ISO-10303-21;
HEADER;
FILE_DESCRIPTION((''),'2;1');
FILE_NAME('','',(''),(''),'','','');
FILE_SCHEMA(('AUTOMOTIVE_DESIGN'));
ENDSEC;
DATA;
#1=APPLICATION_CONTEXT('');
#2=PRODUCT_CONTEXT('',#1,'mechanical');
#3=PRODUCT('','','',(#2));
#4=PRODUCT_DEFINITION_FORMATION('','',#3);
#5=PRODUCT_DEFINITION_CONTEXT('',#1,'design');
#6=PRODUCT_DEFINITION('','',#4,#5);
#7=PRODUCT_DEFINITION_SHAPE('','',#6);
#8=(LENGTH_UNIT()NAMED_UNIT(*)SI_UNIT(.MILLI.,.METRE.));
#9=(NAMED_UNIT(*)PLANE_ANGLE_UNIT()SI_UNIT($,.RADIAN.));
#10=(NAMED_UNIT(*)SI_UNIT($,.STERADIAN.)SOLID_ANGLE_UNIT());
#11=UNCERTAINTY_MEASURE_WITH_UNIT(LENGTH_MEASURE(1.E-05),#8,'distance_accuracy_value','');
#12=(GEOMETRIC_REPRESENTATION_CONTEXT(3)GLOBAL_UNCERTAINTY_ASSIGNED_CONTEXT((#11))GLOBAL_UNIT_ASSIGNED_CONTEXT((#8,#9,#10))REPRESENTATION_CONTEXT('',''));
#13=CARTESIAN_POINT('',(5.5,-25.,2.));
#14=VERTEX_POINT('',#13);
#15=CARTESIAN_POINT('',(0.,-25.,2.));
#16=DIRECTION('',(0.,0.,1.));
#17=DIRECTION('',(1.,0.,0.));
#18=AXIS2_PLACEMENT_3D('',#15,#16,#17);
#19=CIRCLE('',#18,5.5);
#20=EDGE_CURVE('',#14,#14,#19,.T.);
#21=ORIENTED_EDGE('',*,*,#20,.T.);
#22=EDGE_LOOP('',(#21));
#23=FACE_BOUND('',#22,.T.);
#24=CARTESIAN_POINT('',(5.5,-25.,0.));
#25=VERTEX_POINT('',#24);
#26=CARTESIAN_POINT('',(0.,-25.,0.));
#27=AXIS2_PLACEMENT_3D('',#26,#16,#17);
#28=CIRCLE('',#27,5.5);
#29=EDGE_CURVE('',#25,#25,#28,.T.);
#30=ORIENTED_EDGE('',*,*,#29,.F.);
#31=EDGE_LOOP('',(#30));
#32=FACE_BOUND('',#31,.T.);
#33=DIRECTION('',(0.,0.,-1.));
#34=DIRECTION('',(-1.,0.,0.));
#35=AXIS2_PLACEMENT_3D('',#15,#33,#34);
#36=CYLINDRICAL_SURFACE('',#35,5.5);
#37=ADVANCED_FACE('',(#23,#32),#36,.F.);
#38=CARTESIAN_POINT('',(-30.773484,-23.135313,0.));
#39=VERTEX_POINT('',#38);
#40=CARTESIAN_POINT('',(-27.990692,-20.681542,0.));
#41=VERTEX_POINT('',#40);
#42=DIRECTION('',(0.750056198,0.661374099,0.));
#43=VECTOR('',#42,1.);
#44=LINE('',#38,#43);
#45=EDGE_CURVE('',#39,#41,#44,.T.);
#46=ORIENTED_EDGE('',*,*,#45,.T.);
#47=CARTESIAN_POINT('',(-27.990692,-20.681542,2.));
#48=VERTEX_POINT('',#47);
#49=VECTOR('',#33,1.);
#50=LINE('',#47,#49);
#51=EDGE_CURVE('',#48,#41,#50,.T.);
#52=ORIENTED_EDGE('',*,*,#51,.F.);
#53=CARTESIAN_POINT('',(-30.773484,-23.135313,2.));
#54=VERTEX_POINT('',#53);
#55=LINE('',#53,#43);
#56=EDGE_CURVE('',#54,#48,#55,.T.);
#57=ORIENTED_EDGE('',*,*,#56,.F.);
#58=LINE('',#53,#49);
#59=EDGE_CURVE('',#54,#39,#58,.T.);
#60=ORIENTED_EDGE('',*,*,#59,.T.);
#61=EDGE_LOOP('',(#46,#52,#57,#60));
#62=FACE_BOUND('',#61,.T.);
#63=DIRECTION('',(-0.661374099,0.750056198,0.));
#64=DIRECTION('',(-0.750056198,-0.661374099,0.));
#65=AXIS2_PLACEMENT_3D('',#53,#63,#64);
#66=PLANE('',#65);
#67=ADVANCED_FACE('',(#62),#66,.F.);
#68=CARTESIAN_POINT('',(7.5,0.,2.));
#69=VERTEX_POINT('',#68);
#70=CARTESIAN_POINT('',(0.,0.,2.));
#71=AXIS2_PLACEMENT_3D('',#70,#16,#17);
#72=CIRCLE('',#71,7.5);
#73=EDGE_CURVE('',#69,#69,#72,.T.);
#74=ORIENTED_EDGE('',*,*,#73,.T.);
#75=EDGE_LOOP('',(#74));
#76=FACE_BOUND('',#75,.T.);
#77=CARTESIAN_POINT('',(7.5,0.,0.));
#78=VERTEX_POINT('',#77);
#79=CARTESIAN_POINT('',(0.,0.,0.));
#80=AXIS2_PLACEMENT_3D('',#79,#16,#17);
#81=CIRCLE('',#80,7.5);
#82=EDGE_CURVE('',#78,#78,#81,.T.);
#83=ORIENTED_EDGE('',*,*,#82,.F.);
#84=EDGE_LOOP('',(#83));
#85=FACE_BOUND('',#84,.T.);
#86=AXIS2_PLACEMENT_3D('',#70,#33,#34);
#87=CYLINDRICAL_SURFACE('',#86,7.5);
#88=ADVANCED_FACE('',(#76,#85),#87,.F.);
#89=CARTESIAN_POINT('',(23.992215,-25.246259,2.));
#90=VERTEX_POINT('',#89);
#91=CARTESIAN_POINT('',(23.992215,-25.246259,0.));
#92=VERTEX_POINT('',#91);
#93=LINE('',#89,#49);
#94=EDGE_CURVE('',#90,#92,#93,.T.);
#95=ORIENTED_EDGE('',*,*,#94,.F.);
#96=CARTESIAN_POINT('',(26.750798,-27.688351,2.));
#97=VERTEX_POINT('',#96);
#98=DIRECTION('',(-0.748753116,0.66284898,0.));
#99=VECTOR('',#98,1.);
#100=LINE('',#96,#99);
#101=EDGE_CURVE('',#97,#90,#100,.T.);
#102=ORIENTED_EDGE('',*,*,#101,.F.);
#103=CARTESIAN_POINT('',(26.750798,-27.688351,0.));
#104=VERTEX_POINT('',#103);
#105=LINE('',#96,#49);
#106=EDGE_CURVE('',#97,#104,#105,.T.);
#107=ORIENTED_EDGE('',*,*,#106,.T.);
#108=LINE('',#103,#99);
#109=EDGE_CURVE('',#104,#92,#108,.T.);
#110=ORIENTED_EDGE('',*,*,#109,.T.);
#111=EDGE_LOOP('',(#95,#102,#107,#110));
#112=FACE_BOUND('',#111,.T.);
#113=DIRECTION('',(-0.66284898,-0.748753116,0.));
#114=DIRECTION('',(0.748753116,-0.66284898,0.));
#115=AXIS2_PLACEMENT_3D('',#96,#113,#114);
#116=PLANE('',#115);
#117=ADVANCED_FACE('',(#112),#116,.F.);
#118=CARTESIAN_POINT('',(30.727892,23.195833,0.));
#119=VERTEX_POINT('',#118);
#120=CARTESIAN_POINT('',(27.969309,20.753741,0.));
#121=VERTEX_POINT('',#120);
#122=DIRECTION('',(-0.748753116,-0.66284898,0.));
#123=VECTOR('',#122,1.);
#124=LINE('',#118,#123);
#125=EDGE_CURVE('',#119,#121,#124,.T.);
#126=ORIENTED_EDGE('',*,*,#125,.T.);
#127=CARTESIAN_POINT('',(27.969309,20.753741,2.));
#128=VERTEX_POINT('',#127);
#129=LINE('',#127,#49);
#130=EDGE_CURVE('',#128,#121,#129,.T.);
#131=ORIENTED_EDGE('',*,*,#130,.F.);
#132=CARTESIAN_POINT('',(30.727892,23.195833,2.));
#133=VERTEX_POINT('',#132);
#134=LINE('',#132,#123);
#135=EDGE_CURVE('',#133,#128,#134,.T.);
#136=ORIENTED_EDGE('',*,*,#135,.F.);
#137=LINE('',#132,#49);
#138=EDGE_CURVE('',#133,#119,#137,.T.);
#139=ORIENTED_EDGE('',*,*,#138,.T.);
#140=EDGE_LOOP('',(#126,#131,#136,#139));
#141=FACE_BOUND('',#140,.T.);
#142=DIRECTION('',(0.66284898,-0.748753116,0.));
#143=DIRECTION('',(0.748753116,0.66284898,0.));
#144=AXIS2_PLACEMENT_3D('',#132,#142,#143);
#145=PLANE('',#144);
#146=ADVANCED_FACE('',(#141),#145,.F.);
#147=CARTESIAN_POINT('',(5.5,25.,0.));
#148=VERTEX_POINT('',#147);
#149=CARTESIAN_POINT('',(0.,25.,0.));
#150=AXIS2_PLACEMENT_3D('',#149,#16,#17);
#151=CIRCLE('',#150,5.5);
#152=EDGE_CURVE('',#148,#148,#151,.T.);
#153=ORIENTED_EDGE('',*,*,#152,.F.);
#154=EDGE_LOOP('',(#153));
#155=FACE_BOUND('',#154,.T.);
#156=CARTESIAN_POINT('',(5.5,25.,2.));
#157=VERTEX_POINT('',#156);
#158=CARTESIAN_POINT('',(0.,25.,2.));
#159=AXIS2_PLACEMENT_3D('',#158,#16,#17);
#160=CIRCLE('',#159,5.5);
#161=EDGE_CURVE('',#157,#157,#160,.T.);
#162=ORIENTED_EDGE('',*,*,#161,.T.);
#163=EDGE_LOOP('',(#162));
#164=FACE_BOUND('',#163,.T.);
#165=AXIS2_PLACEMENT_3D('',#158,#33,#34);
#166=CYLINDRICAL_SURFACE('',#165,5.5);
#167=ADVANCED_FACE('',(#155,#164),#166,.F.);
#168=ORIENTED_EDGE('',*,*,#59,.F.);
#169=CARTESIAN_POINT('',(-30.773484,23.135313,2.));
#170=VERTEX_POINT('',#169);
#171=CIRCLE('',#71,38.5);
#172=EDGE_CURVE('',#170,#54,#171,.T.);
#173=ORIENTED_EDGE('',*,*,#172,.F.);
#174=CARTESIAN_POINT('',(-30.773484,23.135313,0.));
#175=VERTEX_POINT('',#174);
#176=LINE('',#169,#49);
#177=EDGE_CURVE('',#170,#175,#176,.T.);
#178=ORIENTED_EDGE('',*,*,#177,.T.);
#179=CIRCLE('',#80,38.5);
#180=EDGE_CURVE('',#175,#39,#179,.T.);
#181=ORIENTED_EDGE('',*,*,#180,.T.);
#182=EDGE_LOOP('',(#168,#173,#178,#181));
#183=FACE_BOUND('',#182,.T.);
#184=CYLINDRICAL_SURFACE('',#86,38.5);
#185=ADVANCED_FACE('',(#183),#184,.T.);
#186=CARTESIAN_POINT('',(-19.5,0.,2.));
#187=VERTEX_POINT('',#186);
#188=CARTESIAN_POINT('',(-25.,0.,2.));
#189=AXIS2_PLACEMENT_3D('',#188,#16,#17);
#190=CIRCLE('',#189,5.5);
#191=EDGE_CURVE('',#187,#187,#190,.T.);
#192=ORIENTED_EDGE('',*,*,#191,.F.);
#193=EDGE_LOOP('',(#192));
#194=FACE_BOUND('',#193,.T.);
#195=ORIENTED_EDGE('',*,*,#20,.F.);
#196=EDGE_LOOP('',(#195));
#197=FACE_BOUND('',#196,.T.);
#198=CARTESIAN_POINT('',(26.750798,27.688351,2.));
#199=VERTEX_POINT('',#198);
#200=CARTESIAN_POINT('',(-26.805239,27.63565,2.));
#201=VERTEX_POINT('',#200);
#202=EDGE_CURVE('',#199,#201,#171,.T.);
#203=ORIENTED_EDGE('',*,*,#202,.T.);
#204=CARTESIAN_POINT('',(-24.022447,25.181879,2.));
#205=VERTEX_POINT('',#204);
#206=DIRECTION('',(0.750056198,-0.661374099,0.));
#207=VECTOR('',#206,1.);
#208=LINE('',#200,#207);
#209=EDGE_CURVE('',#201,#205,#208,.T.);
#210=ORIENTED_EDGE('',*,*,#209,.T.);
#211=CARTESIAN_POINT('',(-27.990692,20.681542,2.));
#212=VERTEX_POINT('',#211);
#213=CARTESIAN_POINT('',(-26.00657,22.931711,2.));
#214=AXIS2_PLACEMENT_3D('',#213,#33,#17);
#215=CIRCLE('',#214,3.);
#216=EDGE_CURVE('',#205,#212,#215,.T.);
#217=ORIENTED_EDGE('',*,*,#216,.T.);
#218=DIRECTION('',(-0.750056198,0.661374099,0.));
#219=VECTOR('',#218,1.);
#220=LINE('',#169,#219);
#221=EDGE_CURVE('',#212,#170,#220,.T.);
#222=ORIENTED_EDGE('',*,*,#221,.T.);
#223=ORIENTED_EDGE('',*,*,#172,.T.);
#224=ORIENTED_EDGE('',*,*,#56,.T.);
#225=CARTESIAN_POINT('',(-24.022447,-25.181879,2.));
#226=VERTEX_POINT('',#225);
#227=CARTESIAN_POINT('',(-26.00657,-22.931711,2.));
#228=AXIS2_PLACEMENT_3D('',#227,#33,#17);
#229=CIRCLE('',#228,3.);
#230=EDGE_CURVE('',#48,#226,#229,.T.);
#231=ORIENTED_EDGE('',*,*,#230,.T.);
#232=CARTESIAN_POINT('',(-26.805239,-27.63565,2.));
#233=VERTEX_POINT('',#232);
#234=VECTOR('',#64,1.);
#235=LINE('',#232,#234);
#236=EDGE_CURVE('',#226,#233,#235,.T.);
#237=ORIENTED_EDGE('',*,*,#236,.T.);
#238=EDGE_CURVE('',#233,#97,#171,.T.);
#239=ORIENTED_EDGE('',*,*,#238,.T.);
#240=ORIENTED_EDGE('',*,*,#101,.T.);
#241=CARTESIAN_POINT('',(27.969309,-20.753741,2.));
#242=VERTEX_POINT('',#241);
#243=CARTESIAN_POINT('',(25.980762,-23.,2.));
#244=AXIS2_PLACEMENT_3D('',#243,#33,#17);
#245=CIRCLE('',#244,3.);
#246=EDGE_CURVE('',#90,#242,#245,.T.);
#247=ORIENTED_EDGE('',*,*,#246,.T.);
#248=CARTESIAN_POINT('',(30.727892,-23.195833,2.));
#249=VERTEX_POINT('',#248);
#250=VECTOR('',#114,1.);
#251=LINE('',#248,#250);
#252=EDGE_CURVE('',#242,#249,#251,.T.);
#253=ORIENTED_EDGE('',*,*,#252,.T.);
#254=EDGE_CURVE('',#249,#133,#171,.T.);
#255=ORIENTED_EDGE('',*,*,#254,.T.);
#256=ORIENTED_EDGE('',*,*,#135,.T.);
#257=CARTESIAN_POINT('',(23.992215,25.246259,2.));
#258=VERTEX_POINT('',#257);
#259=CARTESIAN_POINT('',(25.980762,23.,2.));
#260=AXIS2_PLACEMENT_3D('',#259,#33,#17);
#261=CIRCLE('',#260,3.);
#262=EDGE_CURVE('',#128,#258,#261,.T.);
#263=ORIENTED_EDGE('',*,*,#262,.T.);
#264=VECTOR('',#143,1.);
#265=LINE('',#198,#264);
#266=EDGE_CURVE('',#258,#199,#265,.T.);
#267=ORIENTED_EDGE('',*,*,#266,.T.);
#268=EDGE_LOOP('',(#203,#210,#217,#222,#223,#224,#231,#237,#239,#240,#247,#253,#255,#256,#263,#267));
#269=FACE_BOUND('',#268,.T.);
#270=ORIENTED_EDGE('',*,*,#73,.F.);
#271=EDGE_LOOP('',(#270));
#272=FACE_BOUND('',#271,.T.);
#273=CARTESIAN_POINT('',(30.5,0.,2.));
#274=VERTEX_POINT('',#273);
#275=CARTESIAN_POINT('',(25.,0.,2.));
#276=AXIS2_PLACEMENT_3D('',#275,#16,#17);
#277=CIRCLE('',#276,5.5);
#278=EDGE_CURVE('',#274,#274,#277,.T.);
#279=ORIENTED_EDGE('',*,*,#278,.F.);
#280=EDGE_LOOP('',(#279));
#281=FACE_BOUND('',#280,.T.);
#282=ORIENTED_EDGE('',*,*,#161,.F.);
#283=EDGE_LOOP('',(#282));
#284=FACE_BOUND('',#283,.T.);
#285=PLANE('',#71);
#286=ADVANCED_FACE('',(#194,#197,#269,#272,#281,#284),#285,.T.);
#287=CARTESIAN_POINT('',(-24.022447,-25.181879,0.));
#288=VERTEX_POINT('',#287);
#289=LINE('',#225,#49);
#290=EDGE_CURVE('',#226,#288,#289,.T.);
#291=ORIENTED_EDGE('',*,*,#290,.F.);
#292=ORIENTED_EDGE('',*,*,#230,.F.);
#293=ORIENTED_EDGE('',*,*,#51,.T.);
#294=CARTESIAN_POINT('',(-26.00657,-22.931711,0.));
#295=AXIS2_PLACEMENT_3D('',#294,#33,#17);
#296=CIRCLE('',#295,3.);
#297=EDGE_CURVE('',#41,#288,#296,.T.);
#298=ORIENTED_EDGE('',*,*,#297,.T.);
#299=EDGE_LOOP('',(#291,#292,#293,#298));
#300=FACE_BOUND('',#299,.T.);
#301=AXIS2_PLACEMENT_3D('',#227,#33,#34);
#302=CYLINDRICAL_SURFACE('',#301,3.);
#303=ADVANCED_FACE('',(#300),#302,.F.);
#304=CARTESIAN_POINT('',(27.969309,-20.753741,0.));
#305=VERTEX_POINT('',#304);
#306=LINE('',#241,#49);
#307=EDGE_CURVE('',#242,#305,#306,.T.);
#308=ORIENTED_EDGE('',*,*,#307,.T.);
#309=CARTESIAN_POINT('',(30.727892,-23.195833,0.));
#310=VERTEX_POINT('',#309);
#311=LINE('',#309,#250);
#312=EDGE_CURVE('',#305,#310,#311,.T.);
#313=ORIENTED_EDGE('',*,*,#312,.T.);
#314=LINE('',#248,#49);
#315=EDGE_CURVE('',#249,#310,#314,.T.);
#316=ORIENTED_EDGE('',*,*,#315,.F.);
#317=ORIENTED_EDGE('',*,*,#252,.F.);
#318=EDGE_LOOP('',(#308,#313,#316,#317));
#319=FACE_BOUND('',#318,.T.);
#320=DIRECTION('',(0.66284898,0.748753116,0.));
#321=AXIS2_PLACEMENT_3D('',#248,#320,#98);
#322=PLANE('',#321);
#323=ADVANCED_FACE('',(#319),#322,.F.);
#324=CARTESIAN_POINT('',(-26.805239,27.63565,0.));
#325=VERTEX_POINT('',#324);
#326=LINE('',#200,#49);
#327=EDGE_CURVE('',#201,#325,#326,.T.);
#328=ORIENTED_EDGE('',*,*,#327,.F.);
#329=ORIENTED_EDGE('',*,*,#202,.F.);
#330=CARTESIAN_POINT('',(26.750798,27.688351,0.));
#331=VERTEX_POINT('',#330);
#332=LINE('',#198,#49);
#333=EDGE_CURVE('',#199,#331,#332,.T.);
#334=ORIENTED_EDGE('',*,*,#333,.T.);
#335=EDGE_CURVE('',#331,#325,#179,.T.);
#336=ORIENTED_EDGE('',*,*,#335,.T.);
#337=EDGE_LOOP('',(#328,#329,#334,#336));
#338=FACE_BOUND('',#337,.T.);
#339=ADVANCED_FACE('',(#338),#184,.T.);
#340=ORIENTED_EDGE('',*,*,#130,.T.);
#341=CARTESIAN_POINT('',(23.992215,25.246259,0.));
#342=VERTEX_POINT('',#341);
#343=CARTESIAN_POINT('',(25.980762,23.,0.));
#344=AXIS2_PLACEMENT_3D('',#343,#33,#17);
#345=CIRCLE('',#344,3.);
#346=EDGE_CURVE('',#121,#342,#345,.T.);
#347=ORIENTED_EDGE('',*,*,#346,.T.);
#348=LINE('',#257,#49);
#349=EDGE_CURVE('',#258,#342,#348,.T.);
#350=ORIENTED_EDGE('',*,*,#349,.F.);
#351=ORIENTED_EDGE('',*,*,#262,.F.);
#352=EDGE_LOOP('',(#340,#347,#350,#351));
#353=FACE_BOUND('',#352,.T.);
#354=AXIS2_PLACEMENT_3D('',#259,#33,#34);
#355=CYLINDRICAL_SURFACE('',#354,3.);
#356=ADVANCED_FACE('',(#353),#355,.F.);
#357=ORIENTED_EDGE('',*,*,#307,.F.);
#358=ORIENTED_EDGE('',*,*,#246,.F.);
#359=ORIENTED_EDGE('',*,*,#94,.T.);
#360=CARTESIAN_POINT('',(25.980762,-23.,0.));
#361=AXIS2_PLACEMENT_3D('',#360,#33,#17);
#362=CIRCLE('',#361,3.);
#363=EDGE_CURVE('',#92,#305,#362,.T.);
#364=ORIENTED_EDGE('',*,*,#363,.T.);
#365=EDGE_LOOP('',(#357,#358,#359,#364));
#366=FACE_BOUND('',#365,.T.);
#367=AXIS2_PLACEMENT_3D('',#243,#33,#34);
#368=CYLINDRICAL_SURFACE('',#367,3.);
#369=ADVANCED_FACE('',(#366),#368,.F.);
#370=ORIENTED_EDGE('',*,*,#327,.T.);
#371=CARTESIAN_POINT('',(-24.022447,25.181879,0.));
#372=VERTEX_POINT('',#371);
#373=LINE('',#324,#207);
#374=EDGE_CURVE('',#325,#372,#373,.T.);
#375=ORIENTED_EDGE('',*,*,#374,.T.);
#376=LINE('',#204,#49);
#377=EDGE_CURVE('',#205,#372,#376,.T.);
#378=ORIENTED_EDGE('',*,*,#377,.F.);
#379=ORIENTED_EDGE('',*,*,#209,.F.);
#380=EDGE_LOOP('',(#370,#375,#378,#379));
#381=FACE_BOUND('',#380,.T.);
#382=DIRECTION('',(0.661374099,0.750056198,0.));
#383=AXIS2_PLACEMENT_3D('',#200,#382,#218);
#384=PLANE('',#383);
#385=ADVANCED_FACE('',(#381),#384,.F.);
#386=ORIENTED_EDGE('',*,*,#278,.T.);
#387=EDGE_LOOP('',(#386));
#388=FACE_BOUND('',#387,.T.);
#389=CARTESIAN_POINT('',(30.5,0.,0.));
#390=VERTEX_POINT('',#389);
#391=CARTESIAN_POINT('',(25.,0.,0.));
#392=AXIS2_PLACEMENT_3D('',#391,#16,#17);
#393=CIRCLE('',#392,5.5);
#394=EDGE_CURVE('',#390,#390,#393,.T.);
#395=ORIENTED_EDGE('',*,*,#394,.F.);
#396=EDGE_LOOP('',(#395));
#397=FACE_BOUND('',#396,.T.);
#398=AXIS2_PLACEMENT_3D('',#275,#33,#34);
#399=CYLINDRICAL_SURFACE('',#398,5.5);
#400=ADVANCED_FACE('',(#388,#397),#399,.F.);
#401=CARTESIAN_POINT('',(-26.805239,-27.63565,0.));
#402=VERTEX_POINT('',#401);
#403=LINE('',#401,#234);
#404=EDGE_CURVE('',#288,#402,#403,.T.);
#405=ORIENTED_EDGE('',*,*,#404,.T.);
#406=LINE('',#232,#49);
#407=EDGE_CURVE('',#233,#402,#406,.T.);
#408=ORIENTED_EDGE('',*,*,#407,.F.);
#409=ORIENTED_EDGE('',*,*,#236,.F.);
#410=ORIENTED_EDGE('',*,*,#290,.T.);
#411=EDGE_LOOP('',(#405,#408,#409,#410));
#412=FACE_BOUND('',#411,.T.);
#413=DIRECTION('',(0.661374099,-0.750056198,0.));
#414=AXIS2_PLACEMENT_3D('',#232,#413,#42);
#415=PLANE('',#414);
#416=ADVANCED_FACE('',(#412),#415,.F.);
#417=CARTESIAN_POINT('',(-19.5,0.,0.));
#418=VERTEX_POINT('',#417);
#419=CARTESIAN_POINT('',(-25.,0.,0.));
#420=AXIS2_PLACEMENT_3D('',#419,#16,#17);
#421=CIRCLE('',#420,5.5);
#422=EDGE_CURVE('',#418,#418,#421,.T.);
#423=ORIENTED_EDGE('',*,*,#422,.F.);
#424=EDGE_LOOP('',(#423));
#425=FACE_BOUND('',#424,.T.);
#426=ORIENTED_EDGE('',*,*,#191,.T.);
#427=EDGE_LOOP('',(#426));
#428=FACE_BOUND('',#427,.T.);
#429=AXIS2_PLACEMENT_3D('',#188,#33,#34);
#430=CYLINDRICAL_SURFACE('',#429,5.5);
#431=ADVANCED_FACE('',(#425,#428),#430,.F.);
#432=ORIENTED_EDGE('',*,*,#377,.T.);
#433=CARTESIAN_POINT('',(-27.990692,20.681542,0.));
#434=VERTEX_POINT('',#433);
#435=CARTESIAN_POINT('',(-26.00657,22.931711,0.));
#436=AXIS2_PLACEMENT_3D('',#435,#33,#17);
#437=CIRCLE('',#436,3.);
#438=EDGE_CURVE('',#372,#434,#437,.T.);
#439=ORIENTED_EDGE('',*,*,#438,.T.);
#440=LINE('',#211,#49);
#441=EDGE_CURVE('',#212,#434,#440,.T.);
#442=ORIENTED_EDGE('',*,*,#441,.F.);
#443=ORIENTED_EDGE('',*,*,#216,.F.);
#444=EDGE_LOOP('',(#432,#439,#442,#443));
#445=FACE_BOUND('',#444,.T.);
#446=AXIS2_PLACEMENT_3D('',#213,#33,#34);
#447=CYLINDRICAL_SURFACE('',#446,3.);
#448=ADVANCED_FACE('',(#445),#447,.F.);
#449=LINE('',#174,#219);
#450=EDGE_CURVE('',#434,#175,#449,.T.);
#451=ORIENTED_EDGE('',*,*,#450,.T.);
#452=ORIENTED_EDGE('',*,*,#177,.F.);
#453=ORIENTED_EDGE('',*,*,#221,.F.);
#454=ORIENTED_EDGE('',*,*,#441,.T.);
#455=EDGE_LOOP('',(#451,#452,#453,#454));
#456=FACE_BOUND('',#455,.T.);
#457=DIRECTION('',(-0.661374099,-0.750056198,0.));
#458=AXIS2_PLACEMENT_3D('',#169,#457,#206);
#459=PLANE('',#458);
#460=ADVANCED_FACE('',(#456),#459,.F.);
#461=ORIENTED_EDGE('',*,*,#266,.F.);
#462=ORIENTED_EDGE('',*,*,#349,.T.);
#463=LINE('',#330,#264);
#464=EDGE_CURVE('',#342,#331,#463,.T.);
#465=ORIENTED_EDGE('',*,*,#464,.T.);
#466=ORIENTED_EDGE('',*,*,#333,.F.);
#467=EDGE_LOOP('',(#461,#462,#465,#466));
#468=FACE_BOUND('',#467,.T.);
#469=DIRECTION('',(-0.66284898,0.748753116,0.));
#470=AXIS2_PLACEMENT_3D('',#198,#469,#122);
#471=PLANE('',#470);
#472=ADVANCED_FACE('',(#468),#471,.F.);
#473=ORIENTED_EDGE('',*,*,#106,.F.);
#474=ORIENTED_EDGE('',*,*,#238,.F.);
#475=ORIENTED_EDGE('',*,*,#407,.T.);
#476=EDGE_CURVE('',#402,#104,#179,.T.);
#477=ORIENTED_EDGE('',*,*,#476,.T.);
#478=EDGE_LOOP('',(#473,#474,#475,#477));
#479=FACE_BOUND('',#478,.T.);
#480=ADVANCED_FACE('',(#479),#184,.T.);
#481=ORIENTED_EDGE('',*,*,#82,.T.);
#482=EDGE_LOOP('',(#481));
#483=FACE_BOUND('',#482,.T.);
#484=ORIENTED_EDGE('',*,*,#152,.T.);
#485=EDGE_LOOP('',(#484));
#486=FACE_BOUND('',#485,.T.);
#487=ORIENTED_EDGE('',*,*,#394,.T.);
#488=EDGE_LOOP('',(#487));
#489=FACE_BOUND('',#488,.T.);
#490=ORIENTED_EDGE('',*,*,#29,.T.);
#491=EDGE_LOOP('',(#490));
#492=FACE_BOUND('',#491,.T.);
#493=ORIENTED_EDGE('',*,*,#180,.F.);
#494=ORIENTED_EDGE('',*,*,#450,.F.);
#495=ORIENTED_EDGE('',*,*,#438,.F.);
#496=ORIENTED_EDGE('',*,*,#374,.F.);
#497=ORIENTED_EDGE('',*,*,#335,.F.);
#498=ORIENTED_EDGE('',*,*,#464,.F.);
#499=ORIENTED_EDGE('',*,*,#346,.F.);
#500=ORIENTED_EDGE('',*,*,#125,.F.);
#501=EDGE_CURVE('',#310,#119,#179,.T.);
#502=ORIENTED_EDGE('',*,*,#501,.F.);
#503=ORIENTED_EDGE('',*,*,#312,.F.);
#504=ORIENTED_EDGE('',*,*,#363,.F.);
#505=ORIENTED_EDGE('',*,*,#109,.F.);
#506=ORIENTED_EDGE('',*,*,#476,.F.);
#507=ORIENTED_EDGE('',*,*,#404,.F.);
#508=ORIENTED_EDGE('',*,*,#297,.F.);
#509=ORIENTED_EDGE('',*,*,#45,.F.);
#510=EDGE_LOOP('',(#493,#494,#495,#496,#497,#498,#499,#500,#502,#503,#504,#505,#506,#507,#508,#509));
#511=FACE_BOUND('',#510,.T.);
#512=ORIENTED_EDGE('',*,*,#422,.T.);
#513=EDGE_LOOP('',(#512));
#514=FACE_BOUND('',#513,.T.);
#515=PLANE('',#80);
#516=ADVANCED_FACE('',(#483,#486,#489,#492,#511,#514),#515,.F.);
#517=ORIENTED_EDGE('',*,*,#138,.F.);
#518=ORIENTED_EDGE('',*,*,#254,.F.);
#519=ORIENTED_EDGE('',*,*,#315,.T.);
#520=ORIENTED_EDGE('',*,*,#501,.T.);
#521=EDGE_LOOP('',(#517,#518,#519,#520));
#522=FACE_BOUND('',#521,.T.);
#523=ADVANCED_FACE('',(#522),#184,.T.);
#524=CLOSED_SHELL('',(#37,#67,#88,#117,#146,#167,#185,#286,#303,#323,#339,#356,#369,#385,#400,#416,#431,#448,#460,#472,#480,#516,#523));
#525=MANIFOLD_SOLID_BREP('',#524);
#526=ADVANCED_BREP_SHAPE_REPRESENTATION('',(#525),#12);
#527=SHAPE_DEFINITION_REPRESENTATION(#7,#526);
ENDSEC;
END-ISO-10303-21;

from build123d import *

# Parameters (mm, degrees)
MODEL_R             = 7.5
MODEL_R_2           = 5.5
BOSS_EXTRUDE1_DEPTH = 2


with BuildPart() as part:
    # Model → Boss-Extrude1 (new body)
    with BuildSketch(Plane.XY):
        with BuildLine():
            Line((30.727892071, -23.195832576), (27.969309055, -20.753740651))
            ThreePointArc((27.969309055, -20.753740651), (23.734502764, -21.011453059), (23.992215172, -25.246259349))
            Line((23.992215172, -25.246259349), (26.750798188, -27.688351274))
            ThreePointArc((26.750798188, -27.688351274), (-0.037885337, -38.49998136), (-26.805238954, -27.635650248))
            Line((-26.805238954, -27.635650248), (-24.022447477, -25.18187917))
            ThreePointArc((-24.022447477, -25.18187917), (-23.756401179, -20.947588277), (-27.990692072, -20.68154198))
            Line((-27.990692072, -20.68154198), (-30.773483549, -23.135313057))
            ThreePointArc((-30.773483549, -23.135313057), (-38.5, 0), (-30.773483549, 23.135313057))
            Line((-30.773483549, 23.135313057), (-27.990692072, 20.68154198))
            ThreePointArc((-27.990692072, 20.68154198), (-23.756401179, 20.947588277), (-24.022447477, 25.18187917))
            Line((-24.022447477, 25.18187917), (-26.805238954, 27.635650248))
            ThreePointArc((-26.805238954, 27.635650248), (-0.037885337, 38.49998136), (26.750798188, 27.688351274))
            Line((26.750798188, 27.688351274), (23.992215172, 25.246259349))
            ThreePointArc((23.992215172, 25.246259349), (23.734502764, 21.011453059), (27.969309055, 20.753740651))
            Line((27.969309055, 20.753740651), (30.727892071, 23.195832576))
            ThreePointArc((30.727892071, 23.195832576), (38.5, 0), (30.727892071, -23.195832576))
        make_face()
        Circle(MODEL_R, mode=Mode.SUBTRACT)
        with Locations((-25, 0)):
            Circle(MODEL_R_2, mode=Mode.SUBTRACT)
        with Locations((0, 25)):
            Circle(MODEL_R_2, mode=Mode.SUBTRACT)
        with Locations((0, -25)):
            Circle(MODEL_R_2, mode=Mode.SUBTRACT)
        with Locations((25, 0)):
            Circle(MODEL_R_2, mode=Mode.SUBTRACT)
    extrude(amount=BOSS_EXTRUDE1_DEPTH)


solid = part.part
